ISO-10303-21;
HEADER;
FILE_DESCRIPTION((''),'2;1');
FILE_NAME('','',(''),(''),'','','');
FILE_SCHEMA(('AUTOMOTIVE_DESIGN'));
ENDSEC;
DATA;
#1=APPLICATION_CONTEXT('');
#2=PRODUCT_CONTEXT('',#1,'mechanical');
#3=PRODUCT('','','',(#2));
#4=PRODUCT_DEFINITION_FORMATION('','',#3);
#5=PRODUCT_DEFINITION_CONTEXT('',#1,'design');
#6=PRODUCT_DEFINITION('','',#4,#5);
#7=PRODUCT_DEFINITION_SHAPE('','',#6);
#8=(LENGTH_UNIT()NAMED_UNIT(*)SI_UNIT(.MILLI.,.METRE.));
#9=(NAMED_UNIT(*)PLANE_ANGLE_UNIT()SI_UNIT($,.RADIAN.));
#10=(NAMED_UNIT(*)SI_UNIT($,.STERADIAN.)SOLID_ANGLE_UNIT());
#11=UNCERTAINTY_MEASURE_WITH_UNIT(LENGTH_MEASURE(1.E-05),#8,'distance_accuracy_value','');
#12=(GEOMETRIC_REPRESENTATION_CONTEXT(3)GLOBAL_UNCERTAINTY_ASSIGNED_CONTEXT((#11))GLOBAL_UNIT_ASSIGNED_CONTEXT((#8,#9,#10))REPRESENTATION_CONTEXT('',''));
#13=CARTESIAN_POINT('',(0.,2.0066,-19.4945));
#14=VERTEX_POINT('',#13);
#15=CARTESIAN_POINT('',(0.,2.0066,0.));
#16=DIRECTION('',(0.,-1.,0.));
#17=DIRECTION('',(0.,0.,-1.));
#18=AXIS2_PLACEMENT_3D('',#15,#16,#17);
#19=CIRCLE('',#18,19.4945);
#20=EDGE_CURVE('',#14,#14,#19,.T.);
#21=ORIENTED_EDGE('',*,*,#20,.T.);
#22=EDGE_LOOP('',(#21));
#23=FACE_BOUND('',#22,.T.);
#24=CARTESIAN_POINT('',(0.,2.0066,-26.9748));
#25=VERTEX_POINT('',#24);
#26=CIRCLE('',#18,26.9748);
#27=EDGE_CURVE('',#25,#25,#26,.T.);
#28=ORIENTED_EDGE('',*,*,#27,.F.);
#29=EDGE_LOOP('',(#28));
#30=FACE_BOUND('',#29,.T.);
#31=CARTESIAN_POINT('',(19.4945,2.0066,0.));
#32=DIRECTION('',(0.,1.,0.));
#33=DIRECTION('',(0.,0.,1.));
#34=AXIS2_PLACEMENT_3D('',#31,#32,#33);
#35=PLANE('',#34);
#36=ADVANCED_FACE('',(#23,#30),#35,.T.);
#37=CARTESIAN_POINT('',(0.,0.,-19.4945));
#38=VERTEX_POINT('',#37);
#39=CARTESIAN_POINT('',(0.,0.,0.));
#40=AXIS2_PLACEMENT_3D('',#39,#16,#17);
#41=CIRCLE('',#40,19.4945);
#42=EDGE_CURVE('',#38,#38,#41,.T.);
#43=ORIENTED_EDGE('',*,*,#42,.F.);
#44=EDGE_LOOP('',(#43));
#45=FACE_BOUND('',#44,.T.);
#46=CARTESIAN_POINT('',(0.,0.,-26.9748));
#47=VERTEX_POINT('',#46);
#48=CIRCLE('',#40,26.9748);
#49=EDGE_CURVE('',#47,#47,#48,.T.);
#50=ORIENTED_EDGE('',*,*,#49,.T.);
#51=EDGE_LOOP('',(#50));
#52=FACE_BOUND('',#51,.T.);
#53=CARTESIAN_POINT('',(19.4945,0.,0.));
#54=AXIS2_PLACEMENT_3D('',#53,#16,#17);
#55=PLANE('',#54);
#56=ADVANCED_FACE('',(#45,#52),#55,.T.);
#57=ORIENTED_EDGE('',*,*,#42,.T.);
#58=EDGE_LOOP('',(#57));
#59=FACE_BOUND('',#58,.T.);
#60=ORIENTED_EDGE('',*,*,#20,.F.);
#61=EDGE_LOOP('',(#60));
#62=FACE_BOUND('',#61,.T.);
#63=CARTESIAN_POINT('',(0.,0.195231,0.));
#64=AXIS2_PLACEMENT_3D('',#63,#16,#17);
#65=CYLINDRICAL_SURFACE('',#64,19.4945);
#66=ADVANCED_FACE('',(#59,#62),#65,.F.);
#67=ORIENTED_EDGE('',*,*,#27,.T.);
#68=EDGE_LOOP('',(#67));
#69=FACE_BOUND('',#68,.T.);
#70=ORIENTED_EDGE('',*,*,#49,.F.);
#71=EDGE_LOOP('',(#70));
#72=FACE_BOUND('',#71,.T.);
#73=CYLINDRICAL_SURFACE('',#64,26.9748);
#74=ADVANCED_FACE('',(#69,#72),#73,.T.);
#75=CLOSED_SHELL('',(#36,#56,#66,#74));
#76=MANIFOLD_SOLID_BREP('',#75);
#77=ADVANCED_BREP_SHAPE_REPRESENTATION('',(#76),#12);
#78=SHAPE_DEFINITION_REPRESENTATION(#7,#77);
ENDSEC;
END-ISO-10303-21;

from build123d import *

# Parameters (mm, degrees)
SKETCH1_W = 7.4803
SKETCH1_H = 2.0066


with BuildPart() as part:
    # Sketch1 → Revolve1 (revolve)
    with BuildSketch(Plane.XY):
        with Locations((23.23465, 1.0033)):
            Rectangle(SKETCH1_W, SKETCH1_H)
    revolve(axis=Axis((0, 0.195231469, 0), (0, 1, 0)))


solid = part.part
